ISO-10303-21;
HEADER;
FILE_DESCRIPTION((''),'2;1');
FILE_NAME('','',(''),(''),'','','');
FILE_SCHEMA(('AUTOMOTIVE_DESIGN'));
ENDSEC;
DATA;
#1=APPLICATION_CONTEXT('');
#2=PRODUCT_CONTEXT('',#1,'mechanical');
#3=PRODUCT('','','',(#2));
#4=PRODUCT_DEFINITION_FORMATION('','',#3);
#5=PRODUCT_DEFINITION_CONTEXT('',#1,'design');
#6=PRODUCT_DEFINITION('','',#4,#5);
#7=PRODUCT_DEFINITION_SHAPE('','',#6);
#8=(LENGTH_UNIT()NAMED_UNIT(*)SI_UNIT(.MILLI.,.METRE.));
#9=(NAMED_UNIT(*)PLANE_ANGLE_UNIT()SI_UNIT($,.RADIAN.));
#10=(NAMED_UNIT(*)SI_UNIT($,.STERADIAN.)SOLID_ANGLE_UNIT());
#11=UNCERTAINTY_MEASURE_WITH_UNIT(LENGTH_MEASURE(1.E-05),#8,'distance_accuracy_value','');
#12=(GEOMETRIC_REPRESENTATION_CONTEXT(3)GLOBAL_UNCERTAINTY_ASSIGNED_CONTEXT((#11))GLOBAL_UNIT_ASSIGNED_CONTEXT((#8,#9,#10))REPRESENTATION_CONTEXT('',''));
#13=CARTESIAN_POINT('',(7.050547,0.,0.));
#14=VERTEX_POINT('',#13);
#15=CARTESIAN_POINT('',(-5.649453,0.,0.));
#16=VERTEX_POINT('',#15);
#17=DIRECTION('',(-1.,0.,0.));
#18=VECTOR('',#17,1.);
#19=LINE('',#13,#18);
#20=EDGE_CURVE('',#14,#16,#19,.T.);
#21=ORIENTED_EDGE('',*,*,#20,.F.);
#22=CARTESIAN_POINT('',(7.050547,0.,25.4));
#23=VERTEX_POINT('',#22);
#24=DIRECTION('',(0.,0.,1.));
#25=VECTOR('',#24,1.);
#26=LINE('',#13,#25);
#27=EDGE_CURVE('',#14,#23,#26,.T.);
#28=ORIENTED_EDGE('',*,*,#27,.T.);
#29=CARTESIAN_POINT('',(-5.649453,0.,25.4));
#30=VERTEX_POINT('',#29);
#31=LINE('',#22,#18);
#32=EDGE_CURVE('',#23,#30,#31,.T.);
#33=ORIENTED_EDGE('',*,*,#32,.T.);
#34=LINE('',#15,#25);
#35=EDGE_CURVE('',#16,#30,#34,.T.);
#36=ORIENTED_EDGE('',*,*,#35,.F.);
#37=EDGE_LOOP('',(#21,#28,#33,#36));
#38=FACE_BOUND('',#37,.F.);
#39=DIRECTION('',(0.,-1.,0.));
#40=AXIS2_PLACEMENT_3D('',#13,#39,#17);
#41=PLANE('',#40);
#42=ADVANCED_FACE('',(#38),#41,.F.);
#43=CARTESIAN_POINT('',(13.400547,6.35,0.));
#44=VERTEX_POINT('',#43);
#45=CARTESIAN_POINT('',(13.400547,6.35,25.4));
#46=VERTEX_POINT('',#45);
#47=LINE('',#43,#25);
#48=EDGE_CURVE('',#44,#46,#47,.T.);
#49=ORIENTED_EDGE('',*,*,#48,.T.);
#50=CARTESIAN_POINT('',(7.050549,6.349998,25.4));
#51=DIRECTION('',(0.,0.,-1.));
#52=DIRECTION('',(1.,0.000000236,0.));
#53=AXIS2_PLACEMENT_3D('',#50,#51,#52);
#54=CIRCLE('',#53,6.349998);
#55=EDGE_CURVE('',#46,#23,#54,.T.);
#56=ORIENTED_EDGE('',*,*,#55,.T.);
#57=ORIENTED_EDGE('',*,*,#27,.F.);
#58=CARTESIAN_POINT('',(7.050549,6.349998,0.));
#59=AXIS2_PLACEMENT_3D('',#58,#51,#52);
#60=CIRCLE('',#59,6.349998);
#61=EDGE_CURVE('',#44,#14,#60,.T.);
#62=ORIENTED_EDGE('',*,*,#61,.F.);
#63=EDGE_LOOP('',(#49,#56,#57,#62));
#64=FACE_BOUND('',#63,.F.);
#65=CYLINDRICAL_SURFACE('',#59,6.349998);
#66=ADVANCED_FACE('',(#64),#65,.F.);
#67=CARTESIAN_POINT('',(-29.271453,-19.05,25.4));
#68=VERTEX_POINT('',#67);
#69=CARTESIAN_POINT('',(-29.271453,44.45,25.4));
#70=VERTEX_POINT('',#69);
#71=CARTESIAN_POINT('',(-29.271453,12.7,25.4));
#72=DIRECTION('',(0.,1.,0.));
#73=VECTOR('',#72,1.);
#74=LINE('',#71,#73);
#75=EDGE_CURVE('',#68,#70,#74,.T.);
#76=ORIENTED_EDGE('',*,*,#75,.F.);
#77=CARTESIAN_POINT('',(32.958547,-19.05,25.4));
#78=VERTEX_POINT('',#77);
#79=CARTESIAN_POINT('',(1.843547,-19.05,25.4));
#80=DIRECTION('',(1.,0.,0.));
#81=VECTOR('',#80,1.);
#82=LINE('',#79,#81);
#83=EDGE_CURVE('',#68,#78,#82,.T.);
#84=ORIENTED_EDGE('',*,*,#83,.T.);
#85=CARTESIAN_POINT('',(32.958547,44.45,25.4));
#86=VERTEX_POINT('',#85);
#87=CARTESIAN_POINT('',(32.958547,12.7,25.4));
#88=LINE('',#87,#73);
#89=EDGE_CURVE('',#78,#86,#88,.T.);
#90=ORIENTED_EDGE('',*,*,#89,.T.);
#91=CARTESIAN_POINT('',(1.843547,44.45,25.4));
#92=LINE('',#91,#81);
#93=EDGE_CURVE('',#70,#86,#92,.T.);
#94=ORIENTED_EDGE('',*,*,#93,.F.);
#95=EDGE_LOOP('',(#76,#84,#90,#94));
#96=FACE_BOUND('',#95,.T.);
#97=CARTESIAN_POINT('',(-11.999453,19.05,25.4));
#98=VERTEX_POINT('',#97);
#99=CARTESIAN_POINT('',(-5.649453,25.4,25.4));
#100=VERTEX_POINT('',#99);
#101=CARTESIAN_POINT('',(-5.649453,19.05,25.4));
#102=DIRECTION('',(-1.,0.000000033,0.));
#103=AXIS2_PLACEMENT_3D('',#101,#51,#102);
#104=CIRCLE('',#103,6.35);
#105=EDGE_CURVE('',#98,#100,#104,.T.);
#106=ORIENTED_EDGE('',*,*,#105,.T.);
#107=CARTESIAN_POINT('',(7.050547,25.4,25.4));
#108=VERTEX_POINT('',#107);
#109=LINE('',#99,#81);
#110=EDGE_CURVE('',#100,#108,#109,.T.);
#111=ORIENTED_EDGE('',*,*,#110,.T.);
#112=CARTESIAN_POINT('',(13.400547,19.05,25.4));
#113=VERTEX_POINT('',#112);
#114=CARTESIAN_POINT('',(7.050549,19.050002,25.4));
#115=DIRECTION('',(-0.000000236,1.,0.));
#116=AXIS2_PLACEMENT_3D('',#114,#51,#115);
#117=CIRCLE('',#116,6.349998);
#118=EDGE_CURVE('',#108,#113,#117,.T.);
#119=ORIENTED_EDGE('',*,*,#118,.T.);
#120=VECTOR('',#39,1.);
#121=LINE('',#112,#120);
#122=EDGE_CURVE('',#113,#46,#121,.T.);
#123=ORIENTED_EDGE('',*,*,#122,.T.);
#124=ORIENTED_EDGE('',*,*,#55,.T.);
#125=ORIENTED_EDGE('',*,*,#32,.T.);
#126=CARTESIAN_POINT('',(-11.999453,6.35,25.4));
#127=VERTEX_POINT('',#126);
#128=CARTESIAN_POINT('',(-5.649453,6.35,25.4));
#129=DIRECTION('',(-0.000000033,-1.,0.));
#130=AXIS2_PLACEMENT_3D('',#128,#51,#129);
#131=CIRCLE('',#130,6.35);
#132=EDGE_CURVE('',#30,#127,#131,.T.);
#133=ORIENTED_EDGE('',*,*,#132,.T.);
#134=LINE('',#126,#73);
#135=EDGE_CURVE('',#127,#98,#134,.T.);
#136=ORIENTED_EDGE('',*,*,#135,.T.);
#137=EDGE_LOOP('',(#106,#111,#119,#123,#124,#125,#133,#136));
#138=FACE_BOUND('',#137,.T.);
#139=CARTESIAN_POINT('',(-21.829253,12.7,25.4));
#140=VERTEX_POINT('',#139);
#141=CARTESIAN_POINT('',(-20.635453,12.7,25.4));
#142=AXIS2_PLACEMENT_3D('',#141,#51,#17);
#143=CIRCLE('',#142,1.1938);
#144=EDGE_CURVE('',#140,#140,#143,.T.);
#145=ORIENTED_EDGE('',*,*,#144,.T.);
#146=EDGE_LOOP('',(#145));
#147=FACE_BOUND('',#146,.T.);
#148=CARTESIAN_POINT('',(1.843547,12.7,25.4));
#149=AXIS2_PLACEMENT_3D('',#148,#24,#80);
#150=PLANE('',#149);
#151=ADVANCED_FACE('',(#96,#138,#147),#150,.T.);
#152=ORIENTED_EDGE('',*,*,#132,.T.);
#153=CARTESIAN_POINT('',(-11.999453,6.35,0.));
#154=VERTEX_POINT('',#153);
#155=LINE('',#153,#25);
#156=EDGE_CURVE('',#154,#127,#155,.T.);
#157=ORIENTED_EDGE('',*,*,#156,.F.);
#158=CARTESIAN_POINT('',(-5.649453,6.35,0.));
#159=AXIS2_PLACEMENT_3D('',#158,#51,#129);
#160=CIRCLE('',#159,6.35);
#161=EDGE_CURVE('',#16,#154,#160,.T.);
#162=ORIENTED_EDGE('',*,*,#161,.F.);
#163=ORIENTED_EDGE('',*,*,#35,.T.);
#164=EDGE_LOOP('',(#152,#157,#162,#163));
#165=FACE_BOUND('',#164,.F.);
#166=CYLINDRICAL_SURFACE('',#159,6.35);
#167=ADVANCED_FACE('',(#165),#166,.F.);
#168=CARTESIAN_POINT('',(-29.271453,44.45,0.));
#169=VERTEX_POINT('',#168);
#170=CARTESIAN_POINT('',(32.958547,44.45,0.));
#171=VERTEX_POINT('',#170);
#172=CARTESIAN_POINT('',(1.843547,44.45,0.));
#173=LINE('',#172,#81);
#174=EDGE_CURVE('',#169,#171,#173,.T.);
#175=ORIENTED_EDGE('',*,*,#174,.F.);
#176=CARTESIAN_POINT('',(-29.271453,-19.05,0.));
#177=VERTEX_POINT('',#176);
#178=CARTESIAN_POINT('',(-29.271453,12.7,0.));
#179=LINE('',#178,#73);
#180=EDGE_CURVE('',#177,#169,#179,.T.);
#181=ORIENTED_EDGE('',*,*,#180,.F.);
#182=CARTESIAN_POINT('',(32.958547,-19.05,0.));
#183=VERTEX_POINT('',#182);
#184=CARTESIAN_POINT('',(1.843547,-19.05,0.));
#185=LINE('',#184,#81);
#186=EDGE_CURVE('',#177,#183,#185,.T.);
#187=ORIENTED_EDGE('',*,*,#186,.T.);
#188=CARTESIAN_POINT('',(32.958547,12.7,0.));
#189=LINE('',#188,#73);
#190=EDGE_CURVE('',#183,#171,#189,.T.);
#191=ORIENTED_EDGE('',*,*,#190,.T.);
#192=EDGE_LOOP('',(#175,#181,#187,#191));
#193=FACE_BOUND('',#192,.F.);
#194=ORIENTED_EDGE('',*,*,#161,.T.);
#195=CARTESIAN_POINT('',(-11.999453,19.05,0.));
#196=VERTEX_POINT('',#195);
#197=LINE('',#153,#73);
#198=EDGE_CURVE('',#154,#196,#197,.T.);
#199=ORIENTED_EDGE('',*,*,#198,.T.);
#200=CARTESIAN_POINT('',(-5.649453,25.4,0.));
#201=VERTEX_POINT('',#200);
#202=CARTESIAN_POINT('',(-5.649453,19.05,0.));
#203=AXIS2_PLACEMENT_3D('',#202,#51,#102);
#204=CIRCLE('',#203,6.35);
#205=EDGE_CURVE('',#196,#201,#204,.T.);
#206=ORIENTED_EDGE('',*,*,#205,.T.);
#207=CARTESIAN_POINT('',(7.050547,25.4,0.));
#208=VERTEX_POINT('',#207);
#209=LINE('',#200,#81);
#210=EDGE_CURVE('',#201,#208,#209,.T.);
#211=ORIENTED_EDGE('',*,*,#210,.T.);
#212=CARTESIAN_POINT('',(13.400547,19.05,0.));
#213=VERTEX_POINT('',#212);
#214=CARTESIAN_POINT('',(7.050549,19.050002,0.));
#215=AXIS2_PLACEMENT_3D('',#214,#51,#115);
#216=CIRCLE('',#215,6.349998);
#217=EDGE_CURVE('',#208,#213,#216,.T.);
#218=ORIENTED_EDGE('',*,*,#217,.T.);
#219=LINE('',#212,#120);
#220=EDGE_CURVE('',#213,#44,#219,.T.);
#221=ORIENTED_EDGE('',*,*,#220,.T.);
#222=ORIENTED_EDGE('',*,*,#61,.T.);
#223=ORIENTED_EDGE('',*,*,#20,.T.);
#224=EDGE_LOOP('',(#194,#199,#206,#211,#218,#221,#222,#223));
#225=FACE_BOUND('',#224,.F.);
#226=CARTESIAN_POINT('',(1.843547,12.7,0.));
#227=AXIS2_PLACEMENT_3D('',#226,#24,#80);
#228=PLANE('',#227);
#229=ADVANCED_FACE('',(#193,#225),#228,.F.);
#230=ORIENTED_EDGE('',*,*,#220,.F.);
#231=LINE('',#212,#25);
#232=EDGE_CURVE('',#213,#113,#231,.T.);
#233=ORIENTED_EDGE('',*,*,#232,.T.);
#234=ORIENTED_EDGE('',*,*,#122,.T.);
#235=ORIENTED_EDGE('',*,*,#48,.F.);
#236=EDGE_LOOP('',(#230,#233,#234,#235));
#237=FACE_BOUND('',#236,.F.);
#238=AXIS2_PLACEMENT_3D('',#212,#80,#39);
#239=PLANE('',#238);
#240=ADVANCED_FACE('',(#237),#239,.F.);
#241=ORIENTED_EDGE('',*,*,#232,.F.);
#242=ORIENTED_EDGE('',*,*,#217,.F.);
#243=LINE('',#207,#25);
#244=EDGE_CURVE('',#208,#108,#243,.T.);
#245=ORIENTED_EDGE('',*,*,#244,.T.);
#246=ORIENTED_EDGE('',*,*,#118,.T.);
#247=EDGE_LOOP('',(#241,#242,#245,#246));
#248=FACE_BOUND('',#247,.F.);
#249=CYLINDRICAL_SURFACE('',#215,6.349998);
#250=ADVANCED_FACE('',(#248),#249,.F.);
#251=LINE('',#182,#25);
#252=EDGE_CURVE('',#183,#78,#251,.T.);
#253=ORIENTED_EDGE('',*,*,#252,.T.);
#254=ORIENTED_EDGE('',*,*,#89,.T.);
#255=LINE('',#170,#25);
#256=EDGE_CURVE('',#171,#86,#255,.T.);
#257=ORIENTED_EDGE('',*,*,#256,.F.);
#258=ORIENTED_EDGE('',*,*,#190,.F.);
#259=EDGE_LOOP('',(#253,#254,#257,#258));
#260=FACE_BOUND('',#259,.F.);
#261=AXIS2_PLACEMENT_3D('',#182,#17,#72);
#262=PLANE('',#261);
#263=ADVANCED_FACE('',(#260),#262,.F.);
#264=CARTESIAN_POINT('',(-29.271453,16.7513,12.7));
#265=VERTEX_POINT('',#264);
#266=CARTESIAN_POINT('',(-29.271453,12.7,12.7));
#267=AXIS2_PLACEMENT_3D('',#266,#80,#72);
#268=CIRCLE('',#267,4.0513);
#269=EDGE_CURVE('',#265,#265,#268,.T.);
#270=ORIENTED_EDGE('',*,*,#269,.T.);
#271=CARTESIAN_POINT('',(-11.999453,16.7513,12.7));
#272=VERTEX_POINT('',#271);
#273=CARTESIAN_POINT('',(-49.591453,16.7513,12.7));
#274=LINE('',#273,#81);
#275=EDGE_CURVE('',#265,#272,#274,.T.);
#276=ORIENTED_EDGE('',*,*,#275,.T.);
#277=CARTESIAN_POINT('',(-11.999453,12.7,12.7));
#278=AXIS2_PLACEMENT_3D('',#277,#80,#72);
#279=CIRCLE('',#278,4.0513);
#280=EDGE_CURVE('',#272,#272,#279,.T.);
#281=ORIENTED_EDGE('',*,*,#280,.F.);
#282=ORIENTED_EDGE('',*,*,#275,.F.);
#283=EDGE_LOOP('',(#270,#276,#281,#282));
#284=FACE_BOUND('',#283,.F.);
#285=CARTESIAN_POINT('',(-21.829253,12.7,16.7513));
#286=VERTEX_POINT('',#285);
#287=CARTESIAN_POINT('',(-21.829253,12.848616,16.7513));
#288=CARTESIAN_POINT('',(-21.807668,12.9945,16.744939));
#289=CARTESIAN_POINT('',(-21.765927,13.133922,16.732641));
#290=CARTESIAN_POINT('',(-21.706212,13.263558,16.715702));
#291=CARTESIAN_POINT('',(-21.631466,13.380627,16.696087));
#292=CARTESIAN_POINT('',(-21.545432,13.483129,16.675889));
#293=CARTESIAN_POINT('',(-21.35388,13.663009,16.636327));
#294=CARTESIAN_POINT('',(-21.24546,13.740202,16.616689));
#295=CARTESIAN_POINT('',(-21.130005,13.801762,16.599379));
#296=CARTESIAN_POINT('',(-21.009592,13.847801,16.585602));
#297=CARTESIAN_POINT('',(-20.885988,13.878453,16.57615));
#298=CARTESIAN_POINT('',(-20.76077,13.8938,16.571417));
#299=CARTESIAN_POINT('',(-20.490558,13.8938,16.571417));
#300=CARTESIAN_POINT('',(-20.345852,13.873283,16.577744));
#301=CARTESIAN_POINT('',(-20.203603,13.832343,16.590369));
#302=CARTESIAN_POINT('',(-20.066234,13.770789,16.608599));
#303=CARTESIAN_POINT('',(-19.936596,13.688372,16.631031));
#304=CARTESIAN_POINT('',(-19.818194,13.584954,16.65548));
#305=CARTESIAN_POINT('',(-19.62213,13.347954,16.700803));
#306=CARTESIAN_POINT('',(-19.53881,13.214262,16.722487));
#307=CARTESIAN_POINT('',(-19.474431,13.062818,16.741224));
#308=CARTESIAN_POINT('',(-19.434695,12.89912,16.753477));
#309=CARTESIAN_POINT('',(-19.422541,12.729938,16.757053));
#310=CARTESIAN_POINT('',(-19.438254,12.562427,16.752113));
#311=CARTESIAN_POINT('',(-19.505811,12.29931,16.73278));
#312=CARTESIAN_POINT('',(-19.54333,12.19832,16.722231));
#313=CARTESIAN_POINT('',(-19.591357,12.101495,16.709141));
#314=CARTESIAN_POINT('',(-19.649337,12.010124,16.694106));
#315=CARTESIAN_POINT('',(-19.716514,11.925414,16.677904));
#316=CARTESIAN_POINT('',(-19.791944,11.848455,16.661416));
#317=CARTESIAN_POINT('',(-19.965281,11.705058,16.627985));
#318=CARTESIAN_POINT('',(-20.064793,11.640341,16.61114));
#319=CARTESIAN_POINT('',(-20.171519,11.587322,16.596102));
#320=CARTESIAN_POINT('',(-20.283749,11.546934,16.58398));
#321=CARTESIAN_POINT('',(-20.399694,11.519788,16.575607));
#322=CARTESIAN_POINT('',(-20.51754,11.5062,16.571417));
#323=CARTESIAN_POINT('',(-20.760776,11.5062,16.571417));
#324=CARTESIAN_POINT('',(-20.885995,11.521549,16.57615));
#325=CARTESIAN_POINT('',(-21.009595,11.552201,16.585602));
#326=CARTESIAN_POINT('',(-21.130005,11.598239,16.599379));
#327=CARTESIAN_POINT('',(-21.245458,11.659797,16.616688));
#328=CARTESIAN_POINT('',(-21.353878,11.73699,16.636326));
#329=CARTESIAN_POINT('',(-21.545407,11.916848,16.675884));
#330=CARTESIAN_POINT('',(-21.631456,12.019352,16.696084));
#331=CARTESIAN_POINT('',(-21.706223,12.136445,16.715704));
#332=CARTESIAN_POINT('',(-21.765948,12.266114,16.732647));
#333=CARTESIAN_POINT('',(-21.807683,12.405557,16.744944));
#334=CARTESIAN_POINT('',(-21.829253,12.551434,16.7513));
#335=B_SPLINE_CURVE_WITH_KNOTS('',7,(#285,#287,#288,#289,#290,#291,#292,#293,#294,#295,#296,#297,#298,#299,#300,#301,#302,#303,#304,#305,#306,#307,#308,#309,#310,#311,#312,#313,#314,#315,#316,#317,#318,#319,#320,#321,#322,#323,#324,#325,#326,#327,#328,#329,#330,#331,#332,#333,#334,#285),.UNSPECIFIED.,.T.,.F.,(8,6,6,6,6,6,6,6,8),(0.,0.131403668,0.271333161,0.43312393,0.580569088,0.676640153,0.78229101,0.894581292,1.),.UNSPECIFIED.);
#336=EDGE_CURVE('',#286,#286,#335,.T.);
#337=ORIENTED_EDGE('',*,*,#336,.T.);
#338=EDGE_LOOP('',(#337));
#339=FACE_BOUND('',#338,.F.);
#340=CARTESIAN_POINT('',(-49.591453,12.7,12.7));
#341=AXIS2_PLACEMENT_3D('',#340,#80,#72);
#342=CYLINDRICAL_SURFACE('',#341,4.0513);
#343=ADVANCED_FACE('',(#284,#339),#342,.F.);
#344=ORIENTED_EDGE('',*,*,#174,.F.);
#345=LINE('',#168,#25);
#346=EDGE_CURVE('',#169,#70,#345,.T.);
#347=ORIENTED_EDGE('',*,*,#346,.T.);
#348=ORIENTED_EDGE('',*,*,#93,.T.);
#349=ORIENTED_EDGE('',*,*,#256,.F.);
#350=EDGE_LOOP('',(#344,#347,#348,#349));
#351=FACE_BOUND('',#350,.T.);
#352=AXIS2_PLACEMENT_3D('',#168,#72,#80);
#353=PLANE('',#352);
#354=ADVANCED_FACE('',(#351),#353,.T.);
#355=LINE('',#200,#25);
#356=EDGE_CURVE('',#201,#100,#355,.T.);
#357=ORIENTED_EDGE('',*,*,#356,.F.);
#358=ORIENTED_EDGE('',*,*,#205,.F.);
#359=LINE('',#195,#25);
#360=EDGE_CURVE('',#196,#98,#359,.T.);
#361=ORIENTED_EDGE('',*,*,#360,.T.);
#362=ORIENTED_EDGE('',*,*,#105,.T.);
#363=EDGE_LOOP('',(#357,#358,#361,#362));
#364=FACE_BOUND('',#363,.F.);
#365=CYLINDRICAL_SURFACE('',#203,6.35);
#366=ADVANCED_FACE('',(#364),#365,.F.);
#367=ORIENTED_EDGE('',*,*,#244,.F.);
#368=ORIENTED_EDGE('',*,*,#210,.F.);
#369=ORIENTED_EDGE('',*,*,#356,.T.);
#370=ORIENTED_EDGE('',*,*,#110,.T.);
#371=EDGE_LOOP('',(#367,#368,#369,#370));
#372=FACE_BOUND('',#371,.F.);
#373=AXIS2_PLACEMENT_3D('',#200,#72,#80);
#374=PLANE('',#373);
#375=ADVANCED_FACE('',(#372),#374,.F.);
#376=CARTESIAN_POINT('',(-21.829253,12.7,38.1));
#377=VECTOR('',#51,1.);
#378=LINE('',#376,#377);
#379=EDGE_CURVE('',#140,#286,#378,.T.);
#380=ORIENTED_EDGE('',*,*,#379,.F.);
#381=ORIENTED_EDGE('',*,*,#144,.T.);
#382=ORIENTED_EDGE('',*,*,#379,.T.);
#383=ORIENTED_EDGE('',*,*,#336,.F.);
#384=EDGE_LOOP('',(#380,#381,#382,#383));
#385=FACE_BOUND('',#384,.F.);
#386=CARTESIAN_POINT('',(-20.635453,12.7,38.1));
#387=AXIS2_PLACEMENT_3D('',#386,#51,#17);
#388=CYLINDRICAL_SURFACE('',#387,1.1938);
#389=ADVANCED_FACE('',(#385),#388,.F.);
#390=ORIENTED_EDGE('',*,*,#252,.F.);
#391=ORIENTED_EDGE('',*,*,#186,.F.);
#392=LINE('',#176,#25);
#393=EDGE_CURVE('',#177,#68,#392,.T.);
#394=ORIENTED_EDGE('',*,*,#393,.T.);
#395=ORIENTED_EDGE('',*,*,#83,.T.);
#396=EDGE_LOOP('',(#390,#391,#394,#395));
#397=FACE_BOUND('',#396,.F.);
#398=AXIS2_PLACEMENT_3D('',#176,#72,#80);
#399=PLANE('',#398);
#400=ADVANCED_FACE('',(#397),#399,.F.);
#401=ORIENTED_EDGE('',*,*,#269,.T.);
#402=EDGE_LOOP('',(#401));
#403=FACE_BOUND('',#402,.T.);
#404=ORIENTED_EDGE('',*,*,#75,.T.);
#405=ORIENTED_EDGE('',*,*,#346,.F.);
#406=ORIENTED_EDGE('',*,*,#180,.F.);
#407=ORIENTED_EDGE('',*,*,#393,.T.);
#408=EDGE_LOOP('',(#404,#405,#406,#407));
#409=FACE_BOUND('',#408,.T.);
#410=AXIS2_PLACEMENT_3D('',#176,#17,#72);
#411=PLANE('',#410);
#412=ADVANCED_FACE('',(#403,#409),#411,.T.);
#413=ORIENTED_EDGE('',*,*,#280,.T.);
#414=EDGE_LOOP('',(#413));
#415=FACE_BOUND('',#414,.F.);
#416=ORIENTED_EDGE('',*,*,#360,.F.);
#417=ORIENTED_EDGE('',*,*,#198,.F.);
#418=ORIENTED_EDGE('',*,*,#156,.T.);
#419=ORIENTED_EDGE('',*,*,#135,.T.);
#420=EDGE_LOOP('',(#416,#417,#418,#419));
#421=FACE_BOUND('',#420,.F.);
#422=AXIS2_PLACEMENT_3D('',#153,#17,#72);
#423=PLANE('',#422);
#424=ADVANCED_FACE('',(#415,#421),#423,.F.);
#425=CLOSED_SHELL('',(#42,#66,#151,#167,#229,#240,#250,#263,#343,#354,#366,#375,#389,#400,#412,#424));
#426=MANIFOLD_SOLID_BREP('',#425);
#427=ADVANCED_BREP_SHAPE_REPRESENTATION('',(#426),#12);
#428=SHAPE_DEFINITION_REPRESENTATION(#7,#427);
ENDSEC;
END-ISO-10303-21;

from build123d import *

# Parameters (mm, degrees)
F0_W     = 62.23
F0_H     = 63.5
F1_DEPTH = 25.4
F3_D     = 8.1026
F3_DEPTH = 20.32
F5_D     = 2.3876
F5_DEPTH = 12.7


with BuildPart() as f1:
    # F0 (on Top) → F1 (new body)
    with BuildSketch(Plane.XY):
        with Locations((1.843547, 12.7)):
            Rectangle(F0_W, F0_H)
        with BuildLine():
            ThreePointArc((-11.999453, 19.05), (-10.139581, 23.540128), (-5.649453, 25.4))
            Line((-5.649453, 25.4), (7.050547, 25.4))
            ThreePointArc((7.050547, 25.4), (11.540676, 23.540128), (13.400547, 19.05))
            Line((13.400547, 19.05), (13.400547, 6.35))
            ThreePointArc((13.400547, 6.35), (11.540676, 1.859872), (7.050547, 0))
            Line((7.050547, 0), (-5.649453, 0))
            ThreePointArc((-5.649453, 0), (-10.139581, 1.859872), (-11.999453, 6.35))
            Line((-11.999453, 6.35), (-11.999453, 19.05))
        make_face(mode=Mode.SUBTRACT)
    extrude(amount=F1_DEPTH)

    # F3
    with Locations(Plane(origin=(-29.271453, 0, 0), x_dir=(0, -1, 0), z_dir=(-1, 0, 0))):
        with Locations((-12.7, 12.7)):
            Hole(F3_D / 2, depth=F3_DEPTH)

    # F5
    with Locations(Plane.XY.offset(25.4)):
        with Locations((-20.635453, 12.7)):
            Hole(F5_D / 2, depth=F5_DEPTH)


solid = f1.part
